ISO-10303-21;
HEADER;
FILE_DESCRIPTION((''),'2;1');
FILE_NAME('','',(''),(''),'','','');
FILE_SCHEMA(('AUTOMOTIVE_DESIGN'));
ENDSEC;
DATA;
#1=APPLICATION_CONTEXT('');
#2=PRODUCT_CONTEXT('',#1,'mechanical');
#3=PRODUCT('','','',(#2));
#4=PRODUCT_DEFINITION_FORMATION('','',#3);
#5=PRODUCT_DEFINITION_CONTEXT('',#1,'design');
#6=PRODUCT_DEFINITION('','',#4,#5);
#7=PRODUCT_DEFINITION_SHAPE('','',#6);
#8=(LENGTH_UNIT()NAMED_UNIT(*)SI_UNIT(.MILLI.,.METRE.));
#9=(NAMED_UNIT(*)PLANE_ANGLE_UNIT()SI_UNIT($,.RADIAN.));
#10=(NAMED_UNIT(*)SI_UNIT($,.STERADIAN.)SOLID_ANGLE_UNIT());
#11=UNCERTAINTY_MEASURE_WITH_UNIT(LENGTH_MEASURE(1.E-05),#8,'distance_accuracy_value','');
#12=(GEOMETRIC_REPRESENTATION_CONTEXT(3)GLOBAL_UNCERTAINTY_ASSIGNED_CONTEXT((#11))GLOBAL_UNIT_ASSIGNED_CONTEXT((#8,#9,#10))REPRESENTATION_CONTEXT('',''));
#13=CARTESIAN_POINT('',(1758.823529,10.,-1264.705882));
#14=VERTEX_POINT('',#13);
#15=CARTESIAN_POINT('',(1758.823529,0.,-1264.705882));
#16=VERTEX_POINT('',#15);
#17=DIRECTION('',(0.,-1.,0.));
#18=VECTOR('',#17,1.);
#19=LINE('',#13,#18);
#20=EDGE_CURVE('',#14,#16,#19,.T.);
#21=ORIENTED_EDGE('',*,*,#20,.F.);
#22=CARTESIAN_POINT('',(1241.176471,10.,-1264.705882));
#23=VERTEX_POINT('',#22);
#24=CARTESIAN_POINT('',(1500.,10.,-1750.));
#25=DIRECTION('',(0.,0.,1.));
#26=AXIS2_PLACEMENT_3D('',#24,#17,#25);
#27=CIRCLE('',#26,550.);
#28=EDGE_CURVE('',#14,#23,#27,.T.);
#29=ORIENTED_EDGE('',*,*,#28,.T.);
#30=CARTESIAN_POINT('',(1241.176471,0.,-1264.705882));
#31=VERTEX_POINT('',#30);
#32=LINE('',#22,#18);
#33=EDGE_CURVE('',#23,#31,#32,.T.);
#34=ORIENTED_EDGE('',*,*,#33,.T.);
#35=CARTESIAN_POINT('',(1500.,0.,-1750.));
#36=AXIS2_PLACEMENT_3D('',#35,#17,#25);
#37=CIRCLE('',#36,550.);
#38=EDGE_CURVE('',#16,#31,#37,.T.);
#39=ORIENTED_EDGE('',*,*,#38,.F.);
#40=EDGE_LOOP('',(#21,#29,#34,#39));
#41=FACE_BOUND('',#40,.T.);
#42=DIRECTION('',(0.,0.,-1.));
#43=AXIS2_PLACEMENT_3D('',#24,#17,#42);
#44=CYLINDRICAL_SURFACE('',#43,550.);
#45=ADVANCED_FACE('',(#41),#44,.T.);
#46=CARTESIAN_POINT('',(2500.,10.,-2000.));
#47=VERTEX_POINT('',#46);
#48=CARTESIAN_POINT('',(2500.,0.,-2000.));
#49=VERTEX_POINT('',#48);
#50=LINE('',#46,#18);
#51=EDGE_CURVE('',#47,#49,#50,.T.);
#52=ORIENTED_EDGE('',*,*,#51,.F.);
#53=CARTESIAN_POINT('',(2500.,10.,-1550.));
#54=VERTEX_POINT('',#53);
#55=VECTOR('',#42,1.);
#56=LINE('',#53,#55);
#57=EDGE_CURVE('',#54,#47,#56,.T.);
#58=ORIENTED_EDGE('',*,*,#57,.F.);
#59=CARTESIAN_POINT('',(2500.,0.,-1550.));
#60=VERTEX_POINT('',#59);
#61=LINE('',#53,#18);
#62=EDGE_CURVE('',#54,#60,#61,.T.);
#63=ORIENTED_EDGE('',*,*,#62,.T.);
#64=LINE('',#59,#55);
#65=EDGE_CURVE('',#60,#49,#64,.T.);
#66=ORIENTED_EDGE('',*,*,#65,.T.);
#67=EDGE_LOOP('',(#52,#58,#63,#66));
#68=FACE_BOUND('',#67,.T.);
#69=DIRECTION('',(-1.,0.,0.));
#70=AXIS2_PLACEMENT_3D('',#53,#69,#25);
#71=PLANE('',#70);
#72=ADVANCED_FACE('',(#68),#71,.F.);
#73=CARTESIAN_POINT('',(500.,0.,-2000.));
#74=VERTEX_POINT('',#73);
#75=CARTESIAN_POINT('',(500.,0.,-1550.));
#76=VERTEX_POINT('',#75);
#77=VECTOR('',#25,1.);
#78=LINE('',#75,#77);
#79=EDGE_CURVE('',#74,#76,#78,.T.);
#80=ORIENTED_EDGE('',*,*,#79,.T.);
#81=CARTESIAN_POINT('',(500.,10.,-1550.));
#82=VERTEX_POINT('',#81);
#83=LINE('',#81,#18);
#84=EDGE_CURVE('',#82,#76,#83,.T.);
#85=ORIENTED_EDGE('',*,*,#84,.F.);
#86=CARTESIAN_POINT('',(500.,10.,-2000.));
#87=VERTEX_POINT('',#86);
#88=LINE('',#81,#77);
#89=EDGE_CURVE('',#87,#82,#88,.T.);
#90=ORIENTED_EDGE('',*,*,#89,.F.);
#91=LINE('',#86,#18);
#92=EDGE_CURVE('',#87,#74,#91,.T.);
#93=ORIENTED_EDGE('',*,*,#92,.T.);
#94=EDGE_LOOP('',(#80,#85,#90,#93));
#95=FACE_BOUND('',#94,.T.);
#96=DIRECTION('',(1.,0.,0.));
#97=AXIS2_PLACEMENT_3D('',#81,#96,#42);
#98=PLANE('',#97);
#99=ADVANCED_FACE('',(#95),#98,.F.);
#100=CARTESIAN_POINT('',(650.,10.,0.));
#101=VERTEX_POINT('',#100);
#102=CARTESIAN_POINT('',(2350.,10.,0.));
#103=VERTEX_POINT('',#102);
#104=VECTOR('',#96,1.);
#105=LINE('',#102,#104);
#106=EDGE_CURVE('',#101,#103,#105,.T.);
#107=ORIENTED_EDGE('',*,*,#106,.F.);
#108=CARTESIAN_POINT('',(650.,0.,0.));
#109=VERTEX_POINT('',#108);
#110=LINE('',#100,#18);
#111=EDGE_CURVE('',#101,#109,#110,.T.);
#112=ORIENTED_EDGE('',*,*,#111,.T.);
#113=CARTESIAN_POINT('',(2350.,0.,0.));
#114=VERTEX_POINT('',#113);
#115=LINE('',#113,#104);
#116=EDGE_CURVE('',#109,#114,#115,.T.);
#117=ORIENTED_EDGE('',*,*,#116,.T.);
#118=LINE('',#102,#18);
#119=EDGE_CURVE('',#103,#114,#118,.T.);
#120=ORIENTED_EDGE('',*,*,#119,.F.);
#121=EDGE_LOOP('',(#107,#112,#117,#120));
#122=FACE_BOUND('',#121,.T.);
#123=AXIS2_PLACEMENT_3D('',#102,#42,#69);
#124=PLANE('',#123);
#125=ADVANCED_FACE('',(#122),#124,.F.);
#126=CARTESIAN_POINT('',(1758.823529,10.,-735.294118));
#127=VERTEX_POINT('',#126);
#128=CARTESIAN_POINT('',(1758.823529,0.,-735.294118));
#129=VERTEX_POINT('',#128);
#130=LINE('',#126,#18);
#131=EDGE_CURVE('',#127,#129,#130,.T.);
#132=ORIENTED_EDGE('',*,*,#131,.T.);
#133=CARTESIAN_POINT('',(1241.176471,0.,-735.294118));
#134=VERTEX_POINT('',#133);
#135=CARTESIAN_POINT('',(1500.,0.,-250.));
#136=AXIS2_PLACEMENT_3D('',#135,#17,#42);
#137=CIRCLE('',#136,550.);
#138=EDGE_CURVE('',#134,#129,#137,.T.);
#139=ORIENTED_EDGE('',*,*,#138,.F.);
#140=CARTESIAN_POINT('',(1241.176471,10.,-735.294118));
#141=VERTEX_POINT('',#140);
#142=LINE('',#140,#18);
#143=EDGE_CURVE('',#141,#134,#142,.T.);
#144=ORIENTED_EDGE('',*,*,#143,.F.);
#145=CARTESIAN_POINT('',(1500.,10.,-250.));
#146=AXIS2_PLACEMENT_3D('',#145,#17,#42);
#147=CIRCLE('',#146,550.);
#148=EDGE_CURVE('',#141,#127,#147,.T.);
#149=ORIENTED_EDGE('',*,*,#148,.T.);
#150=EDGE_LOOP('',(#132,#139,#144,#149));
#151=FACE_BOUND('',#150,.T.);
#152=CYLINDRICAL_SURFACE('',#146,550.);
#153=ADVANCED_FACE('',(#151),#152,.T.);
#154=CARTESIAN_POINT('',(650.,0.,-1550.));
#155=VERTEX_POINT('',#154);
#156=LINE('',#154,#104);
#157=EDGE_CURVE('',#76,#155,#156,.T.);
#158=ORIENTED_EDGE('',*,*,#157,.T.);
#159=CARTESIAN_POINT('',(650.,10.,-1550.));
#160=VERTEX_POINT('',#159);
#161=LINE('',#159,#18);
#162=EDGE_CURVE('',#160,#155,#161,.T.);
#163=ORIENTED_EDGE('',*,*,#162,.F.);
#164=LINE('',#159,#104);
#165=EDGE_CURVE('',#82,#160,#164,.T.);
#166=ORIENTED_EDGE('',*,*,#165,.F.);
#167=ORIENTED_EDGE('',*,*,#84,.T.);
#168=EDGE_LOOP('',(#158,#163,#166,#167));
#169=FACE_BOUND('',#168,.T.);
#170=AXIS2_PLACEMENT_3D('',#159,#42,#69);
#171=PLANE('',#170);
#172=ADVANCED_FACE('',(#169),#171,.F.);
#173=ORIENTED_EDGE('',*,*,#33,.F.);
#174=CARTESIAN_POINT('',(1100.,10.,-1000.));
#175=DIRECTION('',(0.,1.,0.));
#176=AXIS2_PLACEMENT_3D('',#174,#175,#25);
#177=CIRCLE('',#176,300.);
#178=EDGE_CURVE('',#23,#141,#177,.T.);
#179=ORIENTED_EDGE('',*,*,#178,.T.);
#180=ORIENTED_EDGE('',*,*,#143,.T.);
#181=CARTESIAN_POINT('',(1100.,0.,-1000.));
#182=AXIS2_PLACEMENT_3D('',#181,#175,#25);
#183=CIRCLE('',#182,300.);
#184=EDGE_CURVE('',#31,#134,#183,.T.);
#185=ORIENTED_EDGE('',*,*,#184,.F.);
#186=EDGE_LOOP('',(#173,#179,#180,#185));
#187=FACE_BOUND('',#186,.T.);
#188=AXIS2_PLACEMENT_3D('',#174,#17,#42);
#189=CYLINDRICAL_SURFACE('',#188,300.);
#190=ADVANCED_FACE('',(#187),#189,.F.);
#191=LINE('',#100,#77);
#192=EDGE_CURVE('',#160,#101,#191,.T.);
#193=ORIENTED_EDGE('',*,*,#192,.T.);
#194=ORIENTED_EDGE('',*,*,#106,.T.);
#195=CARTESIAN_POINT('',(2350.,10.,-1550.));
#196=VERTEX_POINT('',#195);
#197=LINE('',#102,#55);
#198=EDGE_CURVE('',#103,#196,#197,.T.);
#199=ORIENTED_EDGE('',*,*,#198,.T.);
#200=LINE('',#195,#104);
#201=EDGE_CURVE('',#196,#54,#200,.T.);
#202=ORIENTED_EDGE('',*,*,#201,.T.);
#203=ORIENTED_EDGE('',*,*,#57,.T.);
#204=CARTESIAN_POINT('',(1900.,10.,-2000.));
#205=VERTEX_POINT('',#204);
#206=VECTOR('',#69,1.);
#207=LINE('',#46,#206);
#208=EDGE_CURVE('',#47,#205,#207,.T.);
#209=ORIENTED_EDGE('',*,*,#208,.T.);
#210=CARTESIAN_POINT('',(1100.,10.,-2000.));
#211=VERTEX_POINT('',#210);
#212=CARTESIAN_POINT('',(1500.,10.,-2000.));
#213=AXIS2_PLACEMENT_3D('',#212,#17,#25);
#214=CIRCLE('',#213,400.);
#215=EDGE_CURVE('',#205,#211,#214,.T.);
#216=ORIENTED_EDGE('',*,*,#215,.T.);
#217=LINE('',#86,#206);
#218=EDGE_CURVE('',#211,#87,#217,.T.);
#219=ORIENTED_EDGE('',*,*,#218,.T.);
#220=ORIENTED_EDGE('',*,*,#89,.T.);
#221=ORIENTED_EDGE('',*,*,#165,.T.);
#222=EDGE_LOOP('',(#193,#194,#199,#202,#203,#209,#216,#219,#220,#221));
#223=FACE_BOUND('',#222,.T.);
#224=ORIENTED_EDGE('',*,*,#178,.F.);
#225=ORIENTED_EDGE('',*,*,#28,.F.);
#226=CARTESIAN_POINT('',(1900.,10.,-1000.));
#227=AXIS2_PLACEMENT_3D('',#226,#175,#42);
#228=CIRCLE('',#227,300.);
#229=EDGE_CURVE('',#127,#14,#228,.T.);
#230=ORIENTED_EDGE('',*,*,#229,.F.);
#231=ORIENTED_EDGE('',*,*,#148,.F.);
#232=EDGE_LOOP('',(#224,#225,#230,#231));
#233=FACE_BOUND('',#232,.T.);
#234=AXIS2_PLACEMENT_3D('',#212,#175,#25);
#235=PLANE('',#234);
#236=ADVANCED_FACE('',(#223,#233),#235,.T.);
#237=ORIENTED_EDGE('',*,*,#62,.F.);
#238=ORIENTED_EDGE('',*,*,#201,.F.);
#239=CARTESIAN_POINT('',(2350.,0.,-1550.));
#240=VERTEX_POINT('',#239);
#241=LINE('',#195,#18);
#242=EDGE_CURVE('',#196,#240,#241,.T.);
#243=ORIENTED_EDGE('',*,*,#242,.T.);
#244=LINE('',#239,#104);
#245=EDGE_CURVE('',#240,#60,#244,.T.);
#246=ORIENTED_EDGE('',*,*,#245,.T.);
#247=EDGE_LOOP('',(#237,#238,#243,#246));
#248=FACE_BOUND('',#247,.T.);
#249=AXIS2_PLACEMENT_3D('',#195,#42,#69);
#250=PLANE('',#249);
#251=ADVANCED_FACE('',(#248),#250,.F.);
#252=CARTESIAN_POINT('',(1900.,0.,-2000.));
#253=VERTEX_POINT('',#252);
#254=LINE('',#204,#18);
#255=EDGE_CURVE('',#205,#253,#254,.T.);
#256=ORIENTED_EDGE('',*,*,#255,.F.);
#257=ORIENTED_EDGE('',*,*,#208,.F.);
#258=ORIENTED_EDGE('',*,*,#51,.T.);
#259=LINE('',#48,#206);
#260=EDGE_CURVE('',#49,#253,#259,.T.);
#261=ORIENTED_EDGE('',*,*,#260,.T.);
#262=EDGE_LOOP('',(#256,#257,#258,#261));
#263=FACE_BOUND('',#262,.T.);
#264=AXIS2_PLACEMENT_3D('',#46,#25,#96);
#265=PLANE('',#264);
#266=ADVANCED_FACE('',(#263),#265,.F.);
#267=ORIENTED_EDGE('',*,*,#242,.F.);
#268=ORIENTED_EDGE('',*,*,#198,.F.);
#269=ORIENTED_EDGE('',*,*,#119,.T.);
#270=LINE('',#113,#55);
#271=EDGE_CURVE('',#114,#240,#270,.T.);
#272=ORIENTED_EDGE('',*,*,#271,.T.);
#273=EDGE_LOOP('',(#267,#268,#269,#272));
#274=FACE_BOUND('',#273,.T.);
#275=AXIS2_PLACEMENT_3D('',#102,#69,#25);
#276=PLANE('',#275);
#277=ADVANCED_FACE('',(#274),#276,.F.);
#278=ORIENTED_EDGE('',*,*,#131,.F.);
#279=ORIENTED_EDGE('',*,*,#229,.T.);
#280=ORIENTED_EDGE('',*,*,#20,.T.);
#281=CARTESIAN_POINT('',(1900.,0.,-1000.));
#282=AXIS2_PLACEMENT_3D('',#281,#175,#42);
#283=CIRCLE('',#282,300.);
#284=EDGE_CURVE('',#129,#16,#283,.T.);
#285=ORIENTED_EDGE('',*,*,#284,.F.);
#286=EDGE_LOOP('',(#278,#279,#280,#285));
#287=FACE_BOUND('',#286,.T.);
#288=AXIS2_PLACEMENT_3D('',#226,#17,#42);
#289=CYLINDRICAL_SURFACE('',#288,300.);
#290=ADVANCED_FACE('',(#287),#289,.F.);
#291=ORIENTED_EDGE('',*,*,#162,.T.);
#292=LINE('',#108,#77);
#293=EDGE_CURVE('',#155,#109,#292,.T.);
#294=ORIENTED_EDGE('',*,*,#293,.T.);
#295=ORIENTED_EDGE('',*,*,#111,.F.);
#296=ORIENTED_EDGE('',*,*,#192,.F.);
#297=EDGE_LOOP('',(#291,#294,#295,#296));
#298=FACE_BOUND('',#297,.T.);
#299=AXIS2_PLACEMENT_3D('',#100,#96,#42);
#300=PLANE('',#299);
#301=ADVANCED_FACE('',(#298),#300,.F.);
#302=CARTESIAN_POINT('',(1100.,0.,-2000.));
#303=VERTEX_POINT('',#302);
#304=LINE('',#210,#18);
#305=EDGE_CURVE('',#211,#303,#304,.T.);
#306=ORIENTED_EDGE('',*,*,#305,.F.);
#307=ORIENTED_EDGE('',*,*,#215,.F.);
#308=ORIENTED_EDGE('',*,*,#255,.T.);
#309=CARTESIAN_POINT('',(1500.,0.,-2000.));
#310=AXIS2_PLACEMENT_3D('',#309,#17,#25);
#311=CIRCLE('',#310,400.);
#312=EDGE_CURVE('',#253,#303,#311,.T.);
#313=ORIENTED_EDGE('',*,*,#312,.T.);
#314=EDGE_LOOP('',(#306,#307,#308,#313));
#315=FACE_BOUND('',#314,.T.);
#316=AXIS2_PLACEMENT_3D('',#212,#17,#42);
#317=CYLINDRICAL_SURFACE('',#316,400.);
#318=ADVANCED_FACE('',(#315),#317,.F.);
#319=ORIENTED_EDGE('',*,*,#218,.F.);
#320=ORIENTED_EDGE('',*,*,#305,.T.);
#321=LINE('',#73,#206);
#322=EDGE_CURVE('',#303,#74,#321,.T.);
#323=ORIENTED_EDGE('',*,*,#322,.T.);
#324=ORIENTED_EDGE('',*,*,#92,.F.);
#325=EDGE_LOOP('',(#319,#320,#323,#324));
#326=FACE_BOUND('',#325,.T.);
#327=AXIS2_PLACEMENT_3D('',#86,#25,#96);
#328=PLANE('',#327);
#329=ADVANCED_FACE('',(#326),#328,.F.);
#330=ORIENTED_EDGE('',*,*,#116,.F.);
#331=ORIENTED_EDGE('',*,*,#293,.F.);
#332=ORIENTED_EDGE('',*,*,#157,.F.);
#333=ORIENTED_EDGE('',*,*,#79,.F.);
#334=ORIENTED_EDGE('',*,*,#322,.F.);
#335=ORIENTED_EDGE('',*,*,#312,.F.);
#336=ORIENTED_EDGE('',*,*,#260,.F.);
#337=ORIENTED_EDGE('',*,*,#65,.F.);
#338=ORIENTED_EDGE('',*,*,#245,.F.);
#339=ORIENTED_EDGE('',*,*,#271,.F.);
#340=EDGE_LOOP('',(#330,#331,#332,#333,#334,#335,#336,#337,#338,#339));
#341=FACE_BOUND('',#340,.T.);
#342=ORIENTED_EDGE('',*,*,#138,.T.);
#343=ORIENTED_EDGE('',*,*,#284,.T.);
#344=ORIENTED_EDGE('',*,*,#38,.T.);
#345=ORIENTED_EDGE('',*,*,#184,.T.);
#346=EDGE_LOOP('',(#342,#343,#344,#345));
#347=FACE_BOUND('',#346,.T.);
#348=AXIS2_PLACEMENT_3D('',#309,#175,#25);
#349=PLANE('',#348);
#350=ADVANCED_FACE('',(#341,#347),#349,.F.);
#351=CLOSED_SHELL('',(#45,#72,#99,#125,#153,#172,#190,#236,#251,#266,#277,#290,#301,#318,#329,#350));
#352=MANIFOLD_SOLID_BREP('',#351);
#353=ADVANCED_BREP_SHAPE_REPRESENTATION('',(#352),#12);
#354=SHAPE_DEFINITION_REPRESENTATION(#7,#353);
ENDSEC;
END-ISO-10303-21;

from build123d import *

# Parameters (mm, degrees)
EXTRUSION1_DEPTH = 10


with BuildPart() as part:
    # Esquisse1 → Extrusion1 (new body)
    with BuildSketch(Plane(origin=(0, 0, 0), x_dir=(1, 0, 0), z_dir=(0, 1, 0))):
        with BuildLine():
            Line((2350, 0), (650, 0))
            Line((650, 0), (650, 1550))
            Line((650, 1550), (500, 1550))
            Line((500, 1550), (500, 2000))
            Line((500, 2000), (1100, 2000))
            ThreePointArc((1100, 2000), (1500, 1600), (1900, 2000))
            Line((1900, 2000), (2500, 2000))
            Line((2500, 2000), (2500, 1550))
            Line((2500, 1550), (2350, 1550))
            Line((2350, 1550), (2350, 0))
        make_face()
        with BuildLine():
            ThreePointArc((1241.176470588, 1264.705882353), (800, 1000), (1241.176470588, 735.294117647))
            ThreePointArc((1241.176470588, 735.294117647), (1500, 800), (1758.823529412, 735.294117647))
            ThreePointArc((1758.823529412, 735.294117647), (2200, 1000), (1758.823529412, 1264.705882353))
            ThreePointArc((1758.823529412, 1264.705882353), (1500, 1200), (1241.176470588, 1264.705882353))
        make_face(mode=Mode.SUBTRACT)
    extrude(amount=EXTRUSION1_DEPTH)


solid = part.part
